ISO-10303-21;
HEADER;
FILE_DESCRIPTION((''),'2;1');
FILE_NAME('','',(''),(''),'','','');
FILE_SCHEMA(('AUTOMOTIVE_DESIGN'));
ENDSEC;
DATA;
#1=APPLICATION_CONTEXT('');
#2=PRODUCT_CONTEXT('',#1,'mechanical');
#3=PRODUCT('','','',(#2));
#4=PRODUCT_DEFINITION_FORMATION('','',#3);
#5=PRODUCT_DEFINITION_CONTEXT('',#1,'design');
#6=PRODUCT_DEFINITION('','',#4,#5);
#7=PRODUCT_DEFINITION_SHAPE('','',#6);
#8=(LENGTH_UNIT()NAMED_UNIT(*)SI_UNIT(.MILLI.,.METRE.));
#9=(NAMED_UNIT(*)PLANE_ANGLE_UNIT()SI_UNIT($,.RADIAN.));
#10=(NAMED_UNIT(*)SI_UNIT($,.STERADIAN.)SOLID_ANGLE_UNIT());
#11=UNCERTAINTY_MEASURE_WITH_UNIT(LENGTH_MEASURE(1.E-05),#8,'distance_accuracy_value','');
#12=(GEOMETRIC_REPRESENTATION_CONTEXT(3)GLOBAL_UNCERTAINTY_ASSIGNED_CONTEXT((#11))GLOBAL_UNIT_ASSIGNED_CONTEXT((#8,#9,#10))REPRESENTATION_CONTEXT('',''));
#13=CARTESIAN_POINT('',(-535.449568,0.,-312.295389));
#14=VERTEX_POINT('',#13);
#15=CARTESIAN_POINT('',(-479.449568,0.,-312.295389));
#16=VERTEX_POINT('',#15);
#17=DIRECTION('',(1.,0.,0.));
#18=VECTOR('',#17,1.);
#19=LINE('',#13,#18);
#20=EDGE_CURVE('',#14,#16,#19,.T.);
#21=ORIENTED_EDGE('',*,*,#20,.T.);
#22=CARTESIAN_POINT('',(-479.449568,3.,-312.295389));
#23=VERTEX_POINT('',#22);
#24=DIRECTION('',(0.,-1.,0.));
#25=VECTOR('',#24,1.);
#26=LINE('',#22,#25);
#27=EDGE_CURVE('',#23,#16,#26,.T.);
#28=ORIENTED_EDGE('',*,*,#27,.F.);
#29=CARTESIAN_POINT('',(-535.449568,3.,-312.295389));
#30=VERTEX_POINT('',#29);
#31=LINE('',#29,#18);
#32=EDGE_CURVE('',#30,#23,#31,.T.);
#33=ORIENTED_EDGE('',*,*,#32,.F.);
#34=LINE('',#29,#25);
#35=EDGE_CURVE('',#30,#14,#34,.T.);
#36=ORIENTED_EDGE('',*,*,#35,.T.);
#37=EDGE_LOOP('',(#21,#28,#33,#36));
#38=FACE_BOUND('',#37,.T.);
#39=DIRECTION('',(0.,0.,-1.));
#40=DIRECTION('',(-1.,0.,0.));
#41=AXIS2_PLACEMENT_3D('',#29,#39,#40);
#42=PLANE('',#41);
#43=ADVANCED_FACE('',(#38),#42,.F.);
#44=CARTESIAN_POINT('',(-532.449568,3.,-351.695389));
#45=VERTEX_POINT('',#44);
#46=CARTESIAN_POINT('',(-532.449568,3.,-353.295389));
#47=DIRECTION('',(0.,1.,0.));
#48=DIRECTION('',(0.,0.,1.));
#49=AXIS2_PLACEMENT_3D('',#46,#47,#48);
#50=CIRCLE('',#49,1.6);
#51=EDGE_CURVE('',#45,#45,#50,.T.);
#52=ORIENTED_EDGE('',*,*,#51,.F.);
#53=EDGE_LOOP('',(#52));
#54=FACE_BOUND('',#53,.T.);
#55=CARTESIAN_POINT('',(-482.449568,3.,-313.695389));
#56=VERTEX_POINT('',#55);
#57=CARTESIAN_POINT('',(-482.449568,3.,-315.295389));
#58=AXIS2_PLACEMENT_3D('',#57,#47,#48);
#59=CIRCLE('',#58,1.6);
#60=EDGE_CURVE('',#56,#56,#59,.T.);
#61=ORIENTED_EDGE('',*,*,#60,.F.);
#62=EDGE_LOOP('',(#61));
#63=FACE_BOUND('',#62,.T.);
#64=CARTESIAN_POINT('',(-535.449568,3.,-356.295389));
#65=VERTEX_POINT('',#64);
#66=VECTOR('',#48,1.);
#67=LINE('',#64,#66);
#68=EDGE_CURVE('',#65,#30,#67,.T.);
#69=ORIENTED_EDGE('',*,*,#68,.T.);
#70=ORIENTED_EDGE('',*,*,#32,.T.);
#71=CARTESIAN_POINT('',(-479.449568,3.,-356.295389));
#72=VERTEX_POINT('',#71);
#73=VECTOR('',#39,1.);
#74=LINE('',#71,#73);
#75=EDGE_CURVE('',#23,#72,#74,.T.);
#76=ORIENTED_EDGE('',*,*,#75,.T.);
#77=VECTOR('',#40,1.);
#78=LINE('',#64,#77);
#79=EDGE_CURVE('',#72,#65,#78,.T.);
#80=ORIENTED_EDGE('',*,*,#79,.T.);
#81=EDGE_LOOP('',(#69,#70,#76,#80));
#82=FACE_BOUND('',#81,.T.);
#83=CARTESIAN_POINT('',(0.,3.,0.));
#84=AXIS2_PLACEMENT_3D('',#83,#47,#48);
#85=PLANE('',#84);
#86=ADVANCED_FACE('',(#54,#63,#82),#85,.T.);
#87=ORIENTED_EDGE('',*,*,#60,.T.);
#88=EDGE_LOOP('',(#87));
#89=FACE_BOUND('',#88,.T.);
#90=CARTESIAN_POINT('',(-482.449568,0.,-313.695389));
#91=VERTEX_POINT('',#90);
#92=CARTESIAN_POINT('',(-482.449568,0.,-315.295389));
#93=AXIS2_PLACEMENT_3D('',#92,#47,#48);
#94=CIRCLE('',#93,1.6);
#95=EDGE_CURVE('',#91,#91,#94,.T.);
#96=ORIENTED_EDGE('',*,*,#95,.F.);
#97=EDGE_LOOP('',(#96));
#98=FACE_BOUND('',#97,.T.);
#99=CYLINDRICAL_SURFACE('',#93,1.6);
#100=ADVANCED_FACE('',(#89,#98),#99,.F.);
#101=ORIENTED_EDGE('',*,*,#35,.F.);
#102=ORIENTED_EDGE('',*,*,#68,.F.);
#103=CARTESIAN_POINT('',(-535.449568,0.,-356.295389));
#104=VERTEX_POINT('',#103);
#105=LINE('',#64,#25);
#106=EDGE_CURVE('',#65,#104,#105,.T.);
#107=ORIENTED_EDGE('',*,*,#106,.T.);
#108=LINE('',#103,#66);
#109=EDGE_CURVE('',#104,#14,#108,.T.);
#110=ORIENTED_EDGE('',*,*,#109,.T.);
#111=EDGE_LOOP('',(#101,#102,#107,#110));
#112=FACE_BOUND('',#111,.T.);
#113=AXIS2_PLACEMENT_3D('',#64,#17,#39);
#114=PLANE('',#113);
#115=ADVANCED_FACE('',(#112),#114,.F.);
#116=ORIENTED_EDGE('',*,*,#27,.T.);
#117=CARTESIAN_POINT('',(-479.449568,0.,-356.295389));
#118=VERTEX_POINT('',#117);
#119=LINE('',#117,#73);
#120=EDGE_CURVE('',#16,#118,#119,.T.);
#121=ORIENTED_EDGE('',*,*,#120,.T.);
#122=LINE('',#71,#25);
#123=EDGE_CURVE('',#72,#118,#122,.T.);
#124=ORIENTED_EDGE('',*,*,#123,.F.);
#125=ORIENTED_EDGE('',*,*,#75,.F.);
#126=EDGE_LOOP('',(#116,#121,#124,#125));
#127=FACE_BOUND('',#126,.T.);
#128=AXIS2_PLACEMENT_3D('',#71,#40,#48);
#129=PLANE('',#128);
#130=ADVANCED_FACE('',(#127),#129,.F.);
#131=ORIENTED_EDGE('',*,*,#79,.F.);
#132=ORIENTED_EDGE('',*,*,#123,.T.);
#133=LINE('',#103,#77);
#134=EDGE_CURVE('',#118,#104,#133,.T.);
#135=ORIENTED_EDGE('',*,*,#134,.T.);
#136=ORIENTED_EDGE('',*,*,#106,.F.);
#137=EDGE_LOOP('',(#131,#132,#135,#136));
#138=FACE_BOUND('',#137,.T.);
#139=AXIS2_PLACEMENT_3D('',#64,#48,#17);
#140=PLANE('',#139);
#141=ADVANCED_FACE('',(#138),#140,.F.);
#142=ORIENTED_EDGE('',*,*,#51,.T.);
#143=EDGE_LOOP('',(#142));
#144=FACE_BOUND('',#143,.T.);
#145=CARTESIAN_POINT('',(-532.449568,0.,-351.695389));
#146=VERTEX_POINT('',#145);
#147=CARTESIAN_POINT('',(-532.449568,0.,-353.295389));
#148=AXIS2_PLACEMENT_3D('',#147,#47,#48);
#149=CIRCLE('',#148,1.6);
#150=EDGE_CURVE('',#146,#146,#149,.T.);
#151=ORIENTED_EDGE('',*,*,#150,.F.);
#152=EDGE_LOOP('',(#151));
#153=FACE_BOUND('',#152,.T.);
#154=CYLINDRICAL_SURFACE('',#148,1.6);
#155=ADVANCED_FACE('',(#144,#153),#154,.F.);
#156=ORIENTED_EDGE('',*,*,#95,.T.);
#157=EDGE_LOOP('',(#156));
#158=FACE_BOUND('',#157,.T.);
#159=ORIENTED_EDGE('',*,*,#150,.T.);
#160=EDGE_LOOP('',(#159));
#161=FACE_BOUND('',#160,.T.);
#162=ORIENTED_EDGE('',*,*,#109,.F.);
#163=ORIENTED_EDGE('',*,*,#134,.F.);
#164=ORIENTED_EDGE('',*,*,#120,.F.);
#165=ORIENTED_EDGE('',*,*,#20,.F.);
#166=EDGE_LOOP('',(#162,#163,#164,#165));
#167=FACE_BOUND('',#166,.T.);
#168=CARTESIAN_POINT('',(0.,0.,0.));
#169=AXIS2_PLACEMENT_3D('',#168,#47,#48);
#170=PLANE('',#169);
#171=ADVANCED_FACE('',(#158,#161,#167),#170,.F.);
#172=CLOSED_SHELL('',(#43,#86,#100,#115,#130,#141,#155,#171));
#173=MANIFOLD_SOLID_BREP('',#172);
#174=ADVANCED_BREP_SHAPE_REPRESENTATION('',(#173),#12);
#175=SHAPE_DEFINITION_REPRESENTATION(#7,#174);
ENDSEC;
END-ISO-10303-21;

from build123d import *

# Parameters (mm, degrees)
SKETCH1_W           = 56
SKETCH1_H           = 44
BOSS_EXTRUDE1_DEPTH = 3
SKETCH2_R           = 1.6
CUT_EXTRUDE1_DEPTH  = 3
SKETCH4_R           = 1.6
CUT_EXTRUDE2_DEPTH  = 3


with BuildPart() as part:
    # Sketch1 → Boss-Extrude1 (new body)
    with BuildSketch(Plane(origin=(0, 0, 0), x_dir=(1, 0, 0), z_dir=(0, 1, 0))):
        with Locations((-507.449567723, 334.295389049)):
            Rectangle(SKETCH1_W, SKETCH1_H)
    extrude(amount=BOSS_EXTRUDE1_DEPTH)

    # Sketch2 → Cut-Extrude1 (cut)
    with BuildSketch(Plane(origin=(0, 3, 0), x_dir=(1, 0, 0), z_dir=(0, 1, 0))):
        with Locations((-532.449567723, 353.295389049)):
            Circle(SKETCH2_R)
    extrude(amount=-CUT_EXTRUDE1_DEPTH, mode=Mode.SUBTRACT)

    # Sketch4 → Cut-Extrude2 (cut)
    with BuildSketch(Plane(origin=(0, 3, 0), x_dir=(1, 0, 0), z_dir=(0, 1, 0))):
        with Locations((-482.449567723, 315.295389049)):
            Circle(SKETCH4_R)
    extrude(amount=-CUT_EXTRUDE2_DEPTH, mode=Mode.SUBTRACT)


solid = part.part
